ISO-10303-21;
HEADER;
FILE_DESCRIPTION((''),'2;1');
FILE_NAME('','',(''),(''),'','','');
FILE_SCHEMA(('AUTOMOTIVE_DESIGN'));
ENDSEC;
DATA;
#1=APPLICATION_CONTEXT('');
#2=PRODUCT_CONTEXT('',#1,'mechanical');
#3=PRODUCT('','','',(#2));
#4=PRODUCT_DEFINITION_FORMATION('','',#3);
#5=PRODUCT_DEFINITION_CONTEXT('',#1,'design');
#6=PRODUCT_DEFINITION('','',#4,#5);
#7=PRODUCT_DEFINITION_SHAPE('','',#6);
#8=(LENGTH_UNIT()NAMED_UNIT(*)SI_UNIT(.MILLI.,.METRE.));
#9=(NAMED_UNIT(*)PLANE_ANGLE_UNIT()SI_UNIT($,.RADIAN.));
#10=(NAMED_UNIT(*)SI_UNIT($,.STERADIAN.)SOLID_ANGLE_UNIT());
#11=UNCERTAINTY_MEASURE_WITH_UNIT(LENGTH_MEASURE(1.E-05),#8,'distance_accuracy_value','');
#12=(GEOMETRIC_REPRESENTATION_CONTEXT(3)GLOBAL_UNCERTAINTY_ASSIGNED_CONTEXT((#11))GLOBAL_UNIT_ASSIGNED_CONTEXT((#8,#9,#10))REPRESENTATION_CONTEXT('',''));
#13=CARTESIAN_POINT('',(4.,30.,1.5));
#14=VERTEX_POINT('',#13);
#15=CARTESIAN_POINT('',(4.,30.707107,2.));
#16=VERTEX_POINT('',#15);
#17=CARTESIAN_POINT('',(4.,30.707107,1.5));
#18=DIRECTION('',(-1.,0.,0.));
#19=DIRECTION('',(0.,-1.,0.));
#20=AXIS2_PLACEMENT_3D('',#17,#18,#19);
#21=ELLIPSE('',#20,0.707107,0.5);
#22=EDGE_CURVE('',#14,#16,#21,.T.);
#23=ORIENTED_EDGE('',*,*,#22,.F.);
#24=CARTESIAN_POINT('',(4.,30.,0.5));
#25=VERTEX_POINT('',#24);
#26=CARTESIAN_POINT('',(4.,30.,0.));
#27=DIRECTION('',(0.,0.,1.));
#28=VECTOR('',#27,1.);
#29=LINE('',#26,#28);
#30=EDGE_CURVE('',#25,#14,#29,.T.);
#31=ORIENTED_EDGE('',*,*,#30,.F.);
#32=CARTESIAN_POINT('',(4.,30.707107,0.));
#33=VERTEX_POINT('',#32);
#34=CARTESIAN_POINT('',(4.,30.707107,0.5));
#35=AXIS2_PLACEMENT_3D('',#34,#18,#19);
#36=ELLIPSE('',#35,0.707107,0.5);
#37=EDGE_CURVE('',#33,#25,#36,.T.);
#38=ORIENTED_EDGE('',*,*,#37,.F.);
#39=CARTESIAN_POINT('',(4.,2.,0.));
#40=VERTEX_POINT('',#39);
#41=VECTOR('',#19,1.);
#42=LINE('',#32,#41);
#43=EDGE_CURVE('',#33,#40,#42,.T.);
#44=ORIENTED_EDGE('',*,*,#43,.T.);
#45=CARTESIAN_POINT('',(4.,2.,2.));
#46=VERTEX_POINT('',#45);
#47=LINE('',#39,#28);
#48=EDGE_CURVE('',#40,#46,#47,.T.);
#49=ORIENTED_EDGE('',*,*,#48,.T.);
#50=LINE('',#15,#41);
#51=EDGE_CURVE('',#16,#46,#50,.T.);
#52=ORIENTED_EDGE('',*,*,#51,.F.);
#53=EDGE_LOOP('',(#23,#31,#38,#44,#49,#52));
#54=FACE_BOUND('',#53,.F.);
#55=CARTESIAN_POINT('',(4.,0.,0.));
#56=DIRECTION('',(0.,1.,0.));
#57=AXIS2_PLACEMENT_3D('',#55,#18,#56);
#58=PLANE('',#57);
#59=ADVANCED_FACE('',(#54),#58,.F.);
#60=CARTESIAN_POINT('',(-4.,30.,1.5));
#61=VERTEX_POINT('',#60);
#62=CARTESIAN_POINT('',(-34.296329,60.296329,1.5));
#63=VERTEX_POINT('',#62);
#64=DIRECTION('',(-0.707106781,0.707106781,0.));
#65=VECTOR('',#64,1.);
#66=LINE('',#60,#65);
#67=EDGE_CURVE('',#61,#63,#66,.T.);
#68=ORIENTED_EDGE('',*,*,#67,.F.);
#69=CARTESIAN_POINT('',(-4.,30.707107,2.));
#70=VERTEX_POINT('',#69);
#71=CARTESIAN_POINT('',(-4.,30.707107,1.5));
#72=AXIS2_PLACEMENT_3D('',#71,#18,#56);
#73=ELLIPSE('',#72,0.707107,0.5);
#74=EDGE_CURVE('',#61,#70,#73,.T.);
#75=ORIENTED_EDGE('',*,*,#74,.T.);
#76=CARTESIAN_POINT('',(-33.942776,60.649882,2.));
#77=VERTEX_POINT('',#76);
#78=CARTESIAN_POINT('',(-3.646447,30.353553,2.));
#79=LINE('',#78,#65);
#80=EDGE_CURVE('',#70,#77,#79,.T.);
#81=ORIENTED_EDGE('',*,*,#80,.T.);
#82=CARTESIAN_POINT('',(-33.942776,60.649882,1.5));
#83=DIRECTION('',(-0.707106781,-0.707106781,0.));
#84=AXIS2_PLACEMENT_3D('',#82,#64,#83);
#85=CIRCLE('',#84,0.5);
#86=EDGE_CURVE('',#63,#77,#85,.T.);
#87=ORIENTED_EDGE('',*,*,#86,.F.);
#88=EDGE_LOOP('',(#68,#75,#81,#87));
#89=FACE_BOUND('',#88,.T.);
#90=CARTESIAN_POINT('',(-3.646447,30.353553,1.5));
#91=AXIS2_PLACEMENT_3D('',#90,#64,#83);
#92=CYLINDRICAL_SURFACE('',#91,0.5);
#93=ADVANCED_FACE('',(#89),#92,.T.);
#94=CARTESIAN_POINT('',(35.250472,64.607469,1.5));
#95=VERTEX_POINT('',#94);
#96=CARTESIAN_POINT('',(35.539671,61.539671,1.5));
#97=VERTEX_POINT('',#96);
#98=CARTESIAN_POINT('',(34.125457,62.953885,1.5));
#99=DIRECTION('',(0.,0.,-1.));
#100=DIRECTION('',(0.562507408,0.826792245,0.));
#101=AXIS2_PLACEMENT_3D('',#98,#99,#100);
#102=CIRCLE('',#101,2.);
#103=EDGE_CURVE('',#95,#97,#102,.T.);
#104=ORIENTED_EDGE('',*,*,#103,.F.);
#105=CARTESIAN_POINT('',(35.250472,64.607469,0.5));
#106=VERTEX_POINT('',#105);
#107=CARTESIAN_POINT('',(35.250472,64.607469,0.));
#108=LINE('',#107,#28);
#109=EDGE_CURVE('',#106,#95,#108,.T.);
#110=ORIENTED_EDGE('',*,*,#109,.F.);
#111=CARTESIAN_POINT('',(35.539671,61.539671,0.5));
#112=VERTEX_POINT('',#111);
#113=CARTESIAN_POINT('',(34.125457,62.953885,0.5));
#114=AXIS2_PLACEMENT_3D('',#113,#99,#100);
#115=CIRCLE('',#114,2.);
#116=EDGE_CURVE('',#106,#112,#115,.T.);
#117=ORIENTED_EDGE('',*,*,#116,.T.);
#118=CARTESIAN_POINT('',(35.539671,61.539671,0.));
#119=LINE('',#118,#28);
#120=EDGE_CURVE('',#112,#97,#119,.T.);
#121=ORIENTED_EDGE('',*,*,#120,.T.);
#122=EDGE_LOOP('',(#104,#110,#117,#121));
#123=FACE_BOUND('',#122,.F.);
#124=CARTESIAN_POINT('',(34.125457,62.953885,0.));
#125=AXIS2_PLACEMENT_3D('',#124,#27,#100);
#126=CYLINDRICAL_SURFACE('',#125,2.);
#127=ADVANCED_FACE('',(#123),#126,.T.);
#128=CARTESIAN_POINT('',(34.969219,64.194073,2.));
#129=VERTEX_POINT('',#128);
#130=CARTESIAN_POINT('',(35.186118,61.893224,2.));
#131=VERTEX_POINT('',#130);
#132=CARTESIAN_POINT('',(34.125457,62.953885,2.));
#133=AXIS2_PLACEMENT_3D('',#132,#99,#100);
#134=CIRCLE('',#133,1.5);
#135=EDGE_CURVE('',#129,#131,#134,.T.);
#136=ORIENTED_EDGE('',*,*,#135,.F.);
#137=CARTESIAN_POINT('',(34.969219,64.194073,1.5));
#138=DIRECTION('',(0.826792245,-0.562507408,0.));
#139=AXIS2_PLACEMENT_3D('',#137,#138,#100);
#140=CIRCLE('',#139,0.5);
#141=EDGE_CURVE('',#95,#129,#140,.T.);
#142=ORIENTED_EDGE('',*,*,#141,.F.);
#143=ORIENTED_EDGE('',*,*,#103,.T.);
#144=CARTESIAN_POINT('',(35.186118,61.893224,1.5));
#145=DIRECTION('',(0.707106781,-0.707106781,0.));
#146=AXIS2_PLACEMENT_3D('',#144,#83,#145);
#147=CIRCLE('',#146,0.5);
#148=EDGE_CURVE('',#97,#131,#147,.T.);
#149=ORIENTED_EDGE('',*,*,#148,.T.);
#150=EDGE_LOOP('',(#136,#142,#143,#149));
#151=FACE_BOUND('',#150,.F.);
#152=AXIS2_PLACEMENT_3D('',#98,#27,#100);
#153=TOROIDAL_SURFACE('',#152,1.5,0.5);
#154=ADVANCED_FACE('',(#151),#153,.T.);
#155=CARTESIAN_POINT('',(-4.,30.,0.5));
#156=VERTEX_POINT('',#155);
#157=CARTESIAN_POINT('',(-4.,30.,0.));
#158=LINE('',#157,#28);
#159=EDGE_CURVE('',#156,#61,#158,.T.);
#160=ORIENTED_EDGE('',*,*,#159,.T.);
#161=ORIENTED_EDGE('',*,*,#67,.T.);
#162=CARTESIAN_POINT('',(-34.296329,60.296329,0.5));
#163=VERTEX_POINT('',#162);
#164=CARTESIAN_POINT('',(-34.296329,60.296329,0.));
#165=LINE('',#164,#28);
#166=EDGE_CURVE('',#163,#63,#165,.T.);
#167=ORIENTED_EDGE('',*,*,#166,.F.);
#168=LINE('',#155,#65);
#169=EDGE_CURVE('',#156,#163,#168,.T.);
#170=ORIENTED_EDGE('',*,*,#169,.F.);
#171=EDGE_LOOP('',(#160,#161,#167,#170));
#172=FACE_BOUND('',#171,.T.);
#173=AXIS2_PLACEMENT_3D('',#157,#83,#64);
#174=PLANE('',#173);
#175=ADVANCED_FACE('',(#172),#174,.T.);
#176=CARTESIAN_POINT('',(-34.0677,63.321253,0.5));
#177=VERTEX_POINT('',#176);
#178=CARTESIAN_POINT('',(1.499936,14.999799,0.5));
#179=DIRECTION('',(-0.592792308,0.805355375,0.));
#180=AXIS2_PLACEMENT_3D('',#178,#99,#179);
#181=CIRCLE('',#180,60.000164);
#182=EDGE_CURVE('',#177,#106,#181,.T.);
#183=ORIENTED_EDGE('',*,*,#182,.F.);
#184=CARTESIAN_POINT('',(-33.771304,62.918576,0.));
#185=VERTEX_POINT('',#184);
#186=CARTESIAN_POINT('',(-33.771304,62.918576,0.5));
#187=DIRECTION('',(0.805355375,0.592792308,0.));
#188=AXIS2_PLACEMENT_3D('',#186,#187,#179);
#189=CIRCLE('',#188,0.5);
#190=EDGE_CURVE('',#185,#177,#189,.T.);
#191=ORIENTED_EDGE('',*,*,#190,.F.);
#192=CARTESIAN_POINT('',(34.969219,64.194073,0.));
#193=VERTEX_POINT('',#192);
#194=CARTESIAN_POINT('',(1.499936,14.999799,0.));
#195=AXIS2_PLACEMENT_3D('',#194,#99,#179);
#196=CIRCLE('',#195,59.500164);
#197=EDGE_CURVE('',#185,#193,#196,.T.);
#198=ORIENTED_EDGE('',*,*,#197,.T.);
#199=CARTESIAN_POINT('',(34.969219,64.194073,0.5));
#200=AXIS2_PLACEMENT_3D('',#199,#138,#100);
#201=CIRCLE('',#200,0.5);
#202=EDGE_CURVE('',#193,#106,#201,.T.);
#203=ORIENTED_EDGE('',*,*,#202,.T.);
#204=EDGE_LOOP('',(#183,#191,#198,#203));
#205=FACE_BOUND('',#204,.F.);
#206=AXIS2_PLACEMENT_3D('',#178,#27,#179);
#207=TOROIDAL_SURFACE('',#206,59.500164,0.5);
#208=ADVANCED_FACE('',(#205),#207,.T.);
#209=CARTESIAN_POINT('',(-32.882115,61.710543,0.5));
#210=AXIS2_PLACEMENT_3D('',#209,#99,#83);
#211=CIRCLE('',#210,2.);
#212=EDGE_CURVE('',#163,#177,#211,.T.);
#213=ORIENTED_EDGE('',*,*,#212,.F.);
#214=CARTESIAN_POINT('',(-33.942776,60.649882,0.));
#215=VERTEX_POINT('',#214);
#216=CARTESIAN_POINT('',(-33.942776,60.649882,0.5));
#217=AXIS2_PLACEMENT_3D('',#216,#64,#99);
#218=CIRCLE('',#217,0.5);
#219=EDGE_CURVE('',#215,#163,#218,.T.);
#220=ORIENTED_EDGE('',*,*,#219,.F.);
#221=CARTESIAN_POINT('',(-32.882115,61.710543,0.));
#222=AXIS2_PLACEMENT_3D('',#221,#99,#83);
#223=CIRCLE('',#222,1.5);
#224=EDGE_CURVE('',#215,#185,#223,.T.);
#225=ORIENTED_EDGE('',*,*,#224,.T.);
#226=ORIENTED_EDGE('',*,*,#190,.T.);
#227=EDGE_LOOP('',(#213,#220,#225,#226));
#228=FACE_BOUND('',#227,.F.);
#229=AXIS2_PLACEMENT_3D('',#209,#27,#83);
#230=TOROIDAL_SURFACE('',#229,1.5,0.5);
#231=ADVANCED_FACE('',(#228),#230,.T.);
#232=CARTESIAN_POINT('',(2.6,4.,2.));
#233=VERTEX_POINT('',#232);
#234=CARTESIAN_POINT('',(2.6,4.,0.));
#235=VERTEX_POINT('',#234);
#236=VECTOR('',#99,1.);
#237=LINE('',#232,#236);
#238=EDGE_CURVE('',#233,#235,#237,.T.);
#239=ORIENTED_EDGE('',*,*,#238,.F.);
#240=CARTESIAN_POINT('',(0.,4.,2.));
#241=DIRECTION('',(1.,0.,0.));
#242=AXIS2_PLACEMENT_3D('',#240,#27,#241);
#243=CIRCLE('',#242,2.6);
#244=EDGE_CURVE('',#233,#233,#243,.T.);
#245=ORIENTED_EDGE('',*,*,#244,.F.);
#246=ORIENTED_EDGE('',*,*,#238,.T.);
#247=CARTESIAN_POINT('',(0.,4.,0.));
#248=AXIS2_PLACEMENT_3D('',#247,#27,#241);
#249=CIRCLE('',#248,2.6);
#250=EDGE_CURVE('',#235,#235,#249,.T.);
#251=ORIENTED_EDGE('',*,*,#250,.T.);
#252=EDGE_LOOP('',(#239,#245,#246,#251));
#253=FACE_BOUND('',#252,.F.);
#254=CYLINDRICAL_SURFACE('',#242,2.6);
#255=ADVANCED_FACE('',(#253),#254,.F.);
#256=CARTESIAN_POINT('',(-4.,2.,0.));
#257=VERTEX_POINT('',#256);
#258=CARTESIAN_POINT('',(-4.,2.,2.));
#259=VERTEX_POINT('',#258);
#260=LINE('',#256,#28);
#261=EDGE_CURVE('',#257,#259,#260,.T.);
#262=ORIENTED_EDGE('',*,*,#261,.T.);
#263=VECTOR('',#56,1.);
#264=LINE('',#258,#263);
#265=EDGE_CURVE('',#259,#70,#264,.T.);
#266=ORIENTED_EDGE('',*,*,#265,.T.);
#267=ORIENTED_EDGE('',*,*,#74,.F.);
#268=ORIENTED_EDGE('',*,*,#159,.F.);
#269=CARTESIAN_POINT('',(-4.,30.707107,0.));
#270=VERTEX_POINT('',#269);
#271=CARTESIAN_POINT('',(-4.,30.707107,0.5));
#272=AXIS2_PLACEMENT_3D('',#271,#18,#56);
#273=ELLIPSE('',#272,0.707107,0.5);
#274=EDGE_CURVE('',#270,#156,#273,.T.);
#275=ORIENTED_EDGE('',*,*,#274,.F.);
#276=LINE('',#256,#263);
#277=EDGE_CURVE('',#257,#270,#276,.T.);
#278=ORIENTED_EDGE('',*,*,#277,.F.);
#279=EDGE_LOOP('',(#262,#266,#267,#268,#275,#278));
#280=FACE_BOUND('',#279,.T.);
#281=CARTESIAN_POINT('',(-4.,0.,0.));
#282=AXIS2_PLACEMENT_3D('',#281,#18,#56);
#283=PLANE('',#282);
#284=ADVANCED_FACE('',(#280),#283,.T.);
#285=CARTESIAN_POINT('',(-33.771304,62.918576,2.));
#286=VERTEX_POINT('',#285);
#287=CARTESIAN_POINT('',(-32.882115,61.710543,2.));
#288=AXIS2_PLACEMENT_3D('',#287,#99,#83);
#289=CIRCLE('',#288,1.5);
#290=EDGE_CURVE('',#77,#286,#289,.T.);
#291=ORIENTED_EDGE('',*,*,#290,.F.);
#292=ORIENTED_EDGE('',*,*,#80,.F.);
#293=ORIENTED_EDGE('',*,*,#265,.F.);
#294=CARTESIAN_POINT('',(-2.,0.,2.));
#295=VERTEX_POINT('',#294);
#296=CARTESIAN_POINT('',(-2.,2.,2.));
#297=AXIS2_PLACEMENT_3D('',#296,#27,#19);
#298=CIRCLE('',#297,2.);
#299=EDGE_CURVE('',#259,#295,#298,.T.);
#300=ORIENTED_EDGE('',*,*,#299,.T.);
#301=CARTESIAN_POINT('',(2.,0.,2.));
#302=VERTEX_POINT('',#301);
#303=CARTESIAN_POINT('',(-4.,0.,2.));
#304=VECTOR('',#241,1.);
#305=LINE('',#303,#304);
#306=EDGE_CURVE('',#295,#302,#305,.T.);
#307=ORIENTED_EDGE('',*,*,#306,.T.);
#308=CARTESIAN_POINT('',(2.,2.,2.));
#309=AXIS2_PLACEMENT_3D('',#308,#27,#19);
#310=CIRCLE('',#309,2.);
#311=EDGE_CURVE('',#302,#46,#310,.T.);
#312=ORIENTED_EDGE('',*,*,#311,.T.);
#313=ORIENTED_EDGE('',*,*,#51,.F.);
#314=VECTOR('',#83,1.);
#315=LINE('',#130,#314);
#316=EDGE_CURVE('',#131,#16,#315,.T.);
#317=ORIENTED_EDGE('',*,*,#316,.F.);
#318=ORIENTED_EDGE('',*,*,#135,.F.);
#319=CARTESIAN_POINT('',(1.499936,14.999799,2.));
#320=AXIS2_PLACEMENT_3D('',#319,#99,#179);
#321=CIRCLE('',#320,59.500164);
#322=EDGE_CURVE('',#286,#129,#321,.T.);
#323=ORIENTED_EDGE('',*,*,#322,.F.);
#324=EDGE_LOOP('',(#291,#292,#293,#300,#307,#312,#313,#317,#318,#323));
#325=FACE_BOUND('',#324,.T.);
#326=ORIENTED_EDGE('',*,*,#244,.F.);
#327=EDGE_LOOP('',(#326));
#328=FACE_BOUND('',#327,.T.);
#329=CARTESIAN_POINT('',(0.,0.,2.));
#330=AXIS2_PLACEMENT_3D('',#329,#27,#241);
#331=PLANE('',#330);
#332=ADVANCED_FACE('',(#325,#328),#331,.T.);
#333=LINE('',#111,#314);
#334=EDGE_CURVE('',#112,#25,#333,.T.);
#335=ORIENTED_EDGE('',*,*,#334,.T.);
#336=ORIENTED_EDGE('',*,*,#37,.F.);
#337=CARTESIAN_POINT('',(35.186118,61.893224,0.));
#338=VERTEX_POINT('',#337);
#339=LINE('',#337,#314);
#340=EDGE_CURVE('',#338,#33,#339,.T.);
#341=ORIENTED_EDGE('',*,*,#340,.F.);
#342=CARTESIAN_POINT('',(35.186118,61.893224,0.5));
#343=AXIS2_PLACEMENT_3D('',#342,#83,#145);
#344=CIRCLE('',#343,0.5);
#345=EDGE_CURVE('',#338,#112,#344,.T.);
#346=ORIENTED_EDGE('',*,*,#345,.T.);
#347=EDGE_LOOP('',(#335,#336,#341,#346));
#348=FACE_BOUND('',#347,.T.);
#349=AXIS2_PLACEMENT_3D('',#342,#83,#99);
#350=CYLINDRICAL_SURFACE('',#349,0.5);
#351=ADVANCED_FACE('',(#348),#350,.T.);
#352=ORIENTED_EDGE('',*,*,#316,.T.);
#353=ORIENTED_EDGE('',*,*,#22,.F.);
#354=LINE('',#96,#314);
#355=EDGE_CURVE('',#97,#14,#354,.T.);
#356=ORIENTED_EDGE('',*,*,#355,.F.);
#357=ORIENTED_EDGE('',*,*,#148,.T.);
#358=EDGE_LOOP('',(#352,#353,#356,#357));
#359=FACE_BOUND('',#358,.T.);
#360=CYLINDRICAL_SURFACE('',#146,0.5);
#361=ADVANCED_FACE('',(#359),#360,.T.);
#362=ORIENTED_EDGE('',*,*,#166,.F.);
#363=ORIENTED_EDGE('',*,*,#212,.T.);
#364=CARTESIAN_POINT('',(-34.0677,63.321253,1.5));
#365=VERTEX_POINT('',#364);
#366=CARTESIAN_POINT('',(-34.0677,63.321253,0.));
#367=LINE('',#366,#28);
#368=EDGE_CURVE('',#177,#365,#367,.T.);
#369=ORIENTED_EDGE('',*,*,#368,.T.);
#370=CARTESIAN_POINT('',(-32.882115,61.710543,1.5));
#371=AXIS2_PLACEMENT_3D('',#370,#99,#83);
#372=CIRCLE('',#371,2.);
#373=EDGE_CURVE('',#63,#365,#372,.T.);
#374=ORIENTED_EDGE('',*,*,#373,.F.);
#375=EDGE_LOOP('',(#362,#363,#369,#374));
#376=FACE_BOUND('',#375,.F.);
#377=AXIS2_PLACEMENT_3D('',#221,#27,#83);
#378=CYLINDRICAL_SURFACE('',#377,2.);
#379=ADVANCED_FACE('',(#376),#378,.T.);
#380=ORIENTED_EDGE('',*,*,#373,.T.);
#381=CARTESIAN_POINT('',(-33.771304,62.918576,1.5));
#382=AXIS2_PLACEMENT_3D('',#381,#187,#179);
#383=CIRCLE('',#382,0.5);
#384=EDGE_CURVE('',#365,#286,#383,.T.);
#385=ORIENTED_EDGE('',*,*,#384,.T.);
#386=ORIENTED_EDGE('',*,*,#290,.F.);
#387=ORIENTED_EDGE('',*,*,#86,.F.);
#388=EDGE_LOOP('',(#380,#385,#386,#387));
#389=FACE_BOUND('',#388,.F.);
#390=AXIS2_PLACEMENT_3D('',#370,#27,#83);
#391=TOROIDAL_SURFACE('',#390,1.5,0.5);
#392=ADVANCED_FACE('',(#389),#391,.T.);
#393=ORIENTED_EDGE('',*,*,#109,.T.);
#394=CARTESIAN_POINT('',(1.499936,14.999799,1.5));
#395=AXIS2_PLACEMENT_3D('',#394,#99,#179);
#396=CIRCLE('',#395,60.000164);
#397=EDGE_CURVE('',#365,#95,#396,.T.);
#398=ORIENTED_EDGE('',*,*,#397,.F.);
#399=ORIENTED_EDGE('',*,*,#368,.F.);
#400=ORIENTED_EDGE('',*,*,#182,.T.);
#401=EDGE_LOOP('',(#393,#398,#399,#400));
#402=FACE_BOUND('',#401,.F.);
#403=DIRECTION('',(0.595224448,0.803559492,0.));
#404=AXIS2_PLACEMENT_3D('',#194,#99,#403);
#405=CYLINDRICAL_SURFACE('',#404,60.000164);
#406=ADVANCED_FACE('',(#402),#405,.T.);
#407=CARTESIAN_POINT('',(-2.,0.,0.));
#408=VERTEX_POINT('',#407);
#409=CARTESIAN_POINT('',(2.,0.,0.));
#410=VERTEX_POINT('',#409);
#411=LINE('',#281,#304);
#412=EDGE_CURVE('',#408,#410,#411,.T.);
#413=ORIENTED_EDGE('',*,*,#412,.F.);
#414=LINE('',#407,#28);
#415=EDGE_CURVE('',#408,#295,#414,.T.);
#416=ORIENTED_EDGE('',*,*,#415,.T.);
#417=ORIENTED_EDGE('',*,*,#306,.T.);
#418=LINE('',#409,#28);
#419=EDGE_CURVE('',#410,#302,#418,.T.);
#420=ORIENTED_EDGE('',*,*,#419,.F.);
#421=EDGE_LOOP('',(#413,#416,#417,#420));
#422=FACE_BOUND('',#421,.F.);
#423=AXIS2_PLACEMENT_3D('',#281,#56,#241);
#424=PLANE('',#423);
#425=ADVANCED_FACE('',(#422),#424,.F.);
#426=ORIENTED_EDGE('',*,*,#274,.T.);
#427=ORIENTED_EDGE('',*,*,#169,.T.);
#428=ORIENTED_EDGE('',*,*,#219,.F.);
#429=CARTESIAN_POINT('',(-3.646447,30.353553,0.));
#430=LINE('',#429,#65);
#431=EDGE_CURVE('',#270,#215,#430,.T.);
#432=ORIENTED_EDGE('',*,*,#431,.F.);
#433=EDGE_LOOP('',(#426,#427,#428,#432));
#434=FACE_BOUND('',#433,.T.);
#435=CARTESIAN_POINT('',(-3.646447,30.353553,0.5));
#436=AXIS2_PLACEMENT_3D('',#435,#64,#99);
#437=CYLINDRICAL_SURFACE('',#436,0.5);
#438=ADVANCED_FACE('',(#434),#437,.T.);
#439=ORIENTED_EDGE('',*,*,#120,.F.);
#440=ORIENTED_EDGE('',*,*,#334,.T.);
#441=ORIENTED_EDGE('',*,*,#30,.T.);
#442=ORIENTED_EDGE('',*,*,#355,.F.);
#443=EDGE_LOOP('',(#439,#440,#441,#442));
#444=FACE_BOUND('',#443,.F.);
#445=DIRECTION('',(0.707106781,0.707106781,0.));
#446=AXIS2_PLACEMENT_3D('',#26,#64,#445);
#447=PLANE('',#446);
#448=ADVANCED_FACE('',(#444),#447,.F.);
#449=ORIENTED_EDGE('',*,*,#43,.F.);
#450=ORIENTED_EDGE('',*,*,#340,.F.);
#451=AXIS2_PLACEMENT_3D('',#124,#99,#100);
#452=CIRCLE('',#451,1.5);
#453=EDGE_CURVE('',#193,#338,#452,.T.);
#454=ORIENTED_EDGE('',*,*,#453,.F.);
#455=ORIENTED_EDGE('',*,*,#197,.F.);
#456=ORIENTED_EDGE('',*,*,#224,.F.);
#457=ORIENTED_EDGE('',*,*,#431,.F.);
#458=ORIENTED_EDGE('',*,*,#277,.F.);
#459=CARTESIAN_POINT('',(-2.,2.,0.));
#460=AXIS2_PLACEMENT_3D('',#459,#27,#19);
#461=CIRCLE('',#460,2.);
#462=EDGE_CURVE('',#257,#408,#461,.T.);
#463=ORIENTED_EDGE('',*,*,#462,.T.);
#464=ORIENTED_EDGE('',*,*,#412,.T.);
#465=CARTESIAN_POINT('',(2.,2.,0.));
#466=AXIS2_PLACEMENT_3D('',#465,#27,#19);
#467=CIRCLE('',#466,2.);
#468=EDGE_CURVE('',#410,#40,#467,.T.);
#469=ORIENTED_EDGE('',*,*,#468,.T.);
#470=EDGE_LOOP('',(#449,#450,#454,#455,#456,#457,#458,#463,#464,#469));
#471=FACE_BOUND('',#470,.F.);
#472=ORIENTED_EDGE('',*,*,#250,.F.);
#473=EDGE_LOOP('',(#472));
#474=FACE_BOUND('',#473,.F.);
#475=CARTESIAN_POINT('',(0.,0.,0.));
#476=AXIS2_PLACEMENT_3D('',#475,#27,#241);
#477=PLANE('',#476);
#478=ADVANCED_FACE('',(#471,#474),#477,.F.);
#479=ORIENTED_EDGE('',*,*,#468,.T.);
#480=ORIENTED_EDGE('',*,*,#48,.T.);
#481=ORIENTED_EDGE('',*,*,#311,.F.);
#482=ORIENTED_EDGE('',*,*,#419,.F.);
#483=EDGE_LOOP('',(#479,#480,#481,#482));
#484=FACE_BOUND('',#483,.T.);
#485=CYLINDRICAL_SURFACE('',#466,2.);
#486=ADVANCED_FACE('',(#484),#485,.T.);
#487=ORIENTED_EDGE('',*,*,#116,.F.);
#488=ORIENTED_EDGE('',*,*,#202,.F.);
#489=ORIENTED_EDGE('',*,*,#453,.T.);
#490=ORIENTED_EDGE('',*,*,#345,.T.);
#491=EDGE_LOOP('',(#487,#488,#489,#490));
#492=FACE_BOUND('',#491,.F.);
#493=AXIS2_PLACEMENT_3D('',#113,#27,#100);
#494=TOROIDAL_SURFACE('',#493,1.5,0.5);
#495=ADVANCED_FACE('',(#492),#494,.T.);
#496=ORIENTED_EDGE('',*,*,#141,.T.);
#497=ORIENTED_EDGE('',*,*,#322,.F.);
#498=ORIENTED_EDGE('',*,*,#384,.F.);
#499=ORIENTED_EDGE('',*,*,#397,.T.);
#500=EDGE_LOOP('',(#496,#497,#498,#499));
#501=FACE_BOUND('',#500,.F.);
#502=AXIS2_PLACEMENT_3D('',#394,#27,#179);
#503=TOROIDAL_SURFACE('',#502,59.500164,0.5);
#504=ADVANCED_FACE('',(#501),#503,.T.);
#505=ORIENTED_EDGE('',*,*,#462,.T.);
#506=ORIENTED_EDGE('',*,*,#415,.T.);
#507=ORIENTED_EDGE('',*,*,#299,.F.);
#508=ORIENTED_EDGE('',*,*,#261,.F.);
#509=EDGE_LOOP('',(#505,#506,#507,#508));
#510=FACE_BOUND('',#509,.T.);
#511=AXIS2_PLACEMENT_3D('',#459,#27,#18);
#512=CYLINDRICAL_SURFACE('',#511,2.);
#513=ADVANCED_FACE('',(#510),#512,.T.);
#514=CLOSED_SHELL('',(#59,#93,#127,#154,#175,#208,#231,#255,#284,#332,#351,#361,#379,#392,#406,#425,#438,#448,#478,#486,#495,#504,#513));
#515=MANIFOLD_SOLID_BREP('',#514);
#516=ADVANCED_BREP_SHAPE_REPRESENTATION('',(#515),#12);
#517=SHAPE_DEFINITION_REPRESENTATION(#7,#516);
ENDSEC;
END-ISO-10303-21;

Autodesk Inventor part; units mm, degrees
ref_plane "YZ Plane" through (0, 0, 0) normal (1, 0, 0) x (0, 1, 0)
ref_plane "XZ Plane" through (0, 0, 0) normal (0, 1, 0) x (-1, 0, 0)
ref_plane "XY Plane" through (0, 0, 0) normal (0, 0, 1) x (1, 0, 0)
sketch "Sketch1" plane through (0, 0, 0) normal (0, 0, 1) x (1, 0, 0)
  line L0 (-4, 0) -> (4, 0)
  line L1 (-4, 0) -> (-4, 30)
  line L2 (4, 0) -> (4, 30)
  arc A0 (37.2135, 63.2135) -> (-35.9097, 61.9097) centre (1.5, 15) ccw
  line L3 (4, 30) -> (37.2135, 63.2135)
  line L4 (4, 30) -> (59.6428, 30) construction
  line L5 (-4, 30) -> (-35.9097, 61.9097)
  point P0 (0, 0)
  dimension "d0" = 8
  dimension "d1" = 30
  dimension "d2" = 120
  dimension "d3" = 30
  dimension "d4" = 45
  dimension "d6" = 135
extrude "Extrusion1" add sketch "Sketch1" along normal blind 2
sketch "Sketch2" plane through (0, 0, 2) normal (0, 0, 1) x (1, 0, 0)
  circle A0 centre (0, 4) radius 2.6
  line L0 (-4, 0) -> (4, 0) projected
  dimension "d23" = 5.2
  dimension "d24" = 4
fillet "Fillet3" radius 2 2 edges at (37.2135, 63.2135, 1) (-35.9097, 61.9097, 1)
fillet "Fillet4" radius 2 2 edges at (4, 0, 1) (-4, 0, 1)
fillet "Fillet5" radius 0.5 10 edges at (-34.8764, 61.8612, 2) (-19.1482, 45.1482, 2) (36.1167, 63.1416, 2) (19.7698, 45.7698, 2) (0.3868, 74.9897, 2) (-34.8764, 61.8612, 0) (-19.1482, 45.1482, 0) (36.1167, 63.1416, 0) (19.7698, 45.7698, 0) (0.3868, 74.9897, 0)
extrude "Extrusion5" cut sketch "Sketch2" against normal blind 2
equation "\"d3\" = d1"
properties part number "Part1#2"
